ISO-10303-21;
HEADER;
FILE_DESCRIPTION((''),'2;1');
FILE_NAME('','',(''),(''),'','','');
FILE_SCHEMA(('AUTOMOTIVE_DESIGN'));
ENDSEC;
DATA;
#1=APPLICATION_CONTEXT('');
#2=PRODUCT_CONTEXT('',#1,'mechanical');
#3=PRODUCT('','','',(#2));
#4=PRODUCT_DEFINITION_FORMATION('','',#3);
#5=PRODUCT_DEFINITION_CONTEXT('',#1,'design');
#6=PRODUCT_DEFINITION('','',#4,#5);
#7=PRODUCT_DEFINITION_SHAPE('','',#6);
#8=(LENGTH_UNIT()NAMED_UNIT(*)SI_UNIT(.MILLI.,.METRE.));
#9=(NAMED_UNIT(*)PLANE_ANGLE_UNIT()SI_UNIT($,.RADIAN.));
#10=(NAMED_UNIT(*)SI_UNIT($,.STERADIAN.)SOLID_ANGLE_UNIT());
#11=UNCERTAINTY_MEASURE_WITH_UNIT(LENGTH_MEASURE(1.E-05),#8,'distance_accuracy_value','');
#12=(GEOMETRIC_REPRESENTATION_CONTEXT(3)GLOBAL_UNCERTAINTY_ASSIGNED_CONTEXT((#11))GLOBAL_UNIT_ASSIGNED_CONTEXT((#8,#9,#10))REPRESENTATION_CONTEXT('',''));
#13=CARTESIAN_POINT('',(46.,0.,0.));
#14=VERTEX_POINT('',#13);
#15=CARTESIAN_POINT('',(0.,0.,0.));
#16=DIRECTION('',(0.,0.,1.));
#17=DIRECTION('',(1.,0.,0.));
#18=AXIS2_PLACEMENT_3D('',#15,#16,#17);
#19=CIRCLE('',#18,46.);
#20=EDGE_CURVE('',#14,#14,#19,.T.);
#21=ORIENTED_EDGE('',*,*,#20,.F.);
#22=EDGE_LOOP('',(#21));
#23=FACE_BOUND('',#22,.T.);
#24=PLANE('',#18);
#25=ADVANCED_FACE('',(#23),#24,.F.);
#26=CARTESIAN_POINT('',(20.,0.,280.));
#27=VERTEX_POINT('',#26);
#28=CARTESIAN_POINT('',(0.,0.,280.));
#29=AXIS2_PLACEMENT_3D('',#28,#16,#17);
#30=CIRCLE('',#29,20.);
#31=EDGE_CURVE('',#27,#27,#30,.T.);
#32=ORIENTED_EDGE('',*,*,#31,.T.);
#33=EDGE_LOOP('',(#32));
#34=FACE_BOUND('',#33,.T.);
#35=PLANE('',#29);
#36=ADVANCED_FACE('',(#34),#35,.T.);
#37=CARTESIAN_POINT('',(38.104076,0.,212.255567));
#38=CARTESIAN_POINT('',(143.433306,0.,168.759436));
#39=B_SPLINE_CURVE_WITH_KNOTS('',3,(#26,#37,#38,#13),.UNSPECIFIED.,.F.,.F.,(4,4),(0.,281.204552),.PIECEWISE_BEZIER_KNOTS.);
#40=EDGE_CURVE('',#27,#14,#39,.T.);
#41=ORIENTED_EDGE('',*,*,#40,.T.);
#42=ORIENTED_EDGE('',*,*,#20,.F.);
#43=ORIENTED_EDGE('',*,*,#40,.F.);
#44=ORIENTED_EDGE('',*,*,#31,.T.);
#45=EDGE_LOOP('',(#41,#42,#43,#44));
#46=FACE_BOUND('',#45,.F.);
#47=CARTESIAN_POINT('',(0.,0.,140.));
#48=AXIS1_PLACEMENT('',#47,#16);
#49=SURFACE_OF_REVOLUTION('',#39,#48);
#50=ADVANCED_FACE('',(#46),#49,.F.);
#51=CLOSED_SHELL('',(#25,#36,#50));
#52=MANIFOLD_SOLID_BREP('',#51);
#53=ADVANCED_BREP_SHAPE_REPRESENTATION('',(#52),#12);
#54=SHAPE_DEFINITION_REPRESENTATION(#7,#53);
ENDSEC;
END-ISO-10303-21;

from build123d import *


with BuildPart() as f1:
    # F0 (on Front) → F1 (revolve)
    with BuildSketch(Plane.XZ):
        with BuildLine():
            Line((0, 280), (0, 0))
            Line((0, 0), (46, 0))
            add(Edge.make_bspline(
                [(20, 280), (38.104076, 212.255567), (143.433306, 168.759436), (46, 0)],
                knots=[0, 0, 0, 0, 281.204552, 281.204552, 281.204552, 281.204552], degree=3))
            Line((20, 280), (0, 280))
        make_face()
    revolve(axis=Axis((0, 0, 140), (0, 0, 1)))


solid = f1.part
